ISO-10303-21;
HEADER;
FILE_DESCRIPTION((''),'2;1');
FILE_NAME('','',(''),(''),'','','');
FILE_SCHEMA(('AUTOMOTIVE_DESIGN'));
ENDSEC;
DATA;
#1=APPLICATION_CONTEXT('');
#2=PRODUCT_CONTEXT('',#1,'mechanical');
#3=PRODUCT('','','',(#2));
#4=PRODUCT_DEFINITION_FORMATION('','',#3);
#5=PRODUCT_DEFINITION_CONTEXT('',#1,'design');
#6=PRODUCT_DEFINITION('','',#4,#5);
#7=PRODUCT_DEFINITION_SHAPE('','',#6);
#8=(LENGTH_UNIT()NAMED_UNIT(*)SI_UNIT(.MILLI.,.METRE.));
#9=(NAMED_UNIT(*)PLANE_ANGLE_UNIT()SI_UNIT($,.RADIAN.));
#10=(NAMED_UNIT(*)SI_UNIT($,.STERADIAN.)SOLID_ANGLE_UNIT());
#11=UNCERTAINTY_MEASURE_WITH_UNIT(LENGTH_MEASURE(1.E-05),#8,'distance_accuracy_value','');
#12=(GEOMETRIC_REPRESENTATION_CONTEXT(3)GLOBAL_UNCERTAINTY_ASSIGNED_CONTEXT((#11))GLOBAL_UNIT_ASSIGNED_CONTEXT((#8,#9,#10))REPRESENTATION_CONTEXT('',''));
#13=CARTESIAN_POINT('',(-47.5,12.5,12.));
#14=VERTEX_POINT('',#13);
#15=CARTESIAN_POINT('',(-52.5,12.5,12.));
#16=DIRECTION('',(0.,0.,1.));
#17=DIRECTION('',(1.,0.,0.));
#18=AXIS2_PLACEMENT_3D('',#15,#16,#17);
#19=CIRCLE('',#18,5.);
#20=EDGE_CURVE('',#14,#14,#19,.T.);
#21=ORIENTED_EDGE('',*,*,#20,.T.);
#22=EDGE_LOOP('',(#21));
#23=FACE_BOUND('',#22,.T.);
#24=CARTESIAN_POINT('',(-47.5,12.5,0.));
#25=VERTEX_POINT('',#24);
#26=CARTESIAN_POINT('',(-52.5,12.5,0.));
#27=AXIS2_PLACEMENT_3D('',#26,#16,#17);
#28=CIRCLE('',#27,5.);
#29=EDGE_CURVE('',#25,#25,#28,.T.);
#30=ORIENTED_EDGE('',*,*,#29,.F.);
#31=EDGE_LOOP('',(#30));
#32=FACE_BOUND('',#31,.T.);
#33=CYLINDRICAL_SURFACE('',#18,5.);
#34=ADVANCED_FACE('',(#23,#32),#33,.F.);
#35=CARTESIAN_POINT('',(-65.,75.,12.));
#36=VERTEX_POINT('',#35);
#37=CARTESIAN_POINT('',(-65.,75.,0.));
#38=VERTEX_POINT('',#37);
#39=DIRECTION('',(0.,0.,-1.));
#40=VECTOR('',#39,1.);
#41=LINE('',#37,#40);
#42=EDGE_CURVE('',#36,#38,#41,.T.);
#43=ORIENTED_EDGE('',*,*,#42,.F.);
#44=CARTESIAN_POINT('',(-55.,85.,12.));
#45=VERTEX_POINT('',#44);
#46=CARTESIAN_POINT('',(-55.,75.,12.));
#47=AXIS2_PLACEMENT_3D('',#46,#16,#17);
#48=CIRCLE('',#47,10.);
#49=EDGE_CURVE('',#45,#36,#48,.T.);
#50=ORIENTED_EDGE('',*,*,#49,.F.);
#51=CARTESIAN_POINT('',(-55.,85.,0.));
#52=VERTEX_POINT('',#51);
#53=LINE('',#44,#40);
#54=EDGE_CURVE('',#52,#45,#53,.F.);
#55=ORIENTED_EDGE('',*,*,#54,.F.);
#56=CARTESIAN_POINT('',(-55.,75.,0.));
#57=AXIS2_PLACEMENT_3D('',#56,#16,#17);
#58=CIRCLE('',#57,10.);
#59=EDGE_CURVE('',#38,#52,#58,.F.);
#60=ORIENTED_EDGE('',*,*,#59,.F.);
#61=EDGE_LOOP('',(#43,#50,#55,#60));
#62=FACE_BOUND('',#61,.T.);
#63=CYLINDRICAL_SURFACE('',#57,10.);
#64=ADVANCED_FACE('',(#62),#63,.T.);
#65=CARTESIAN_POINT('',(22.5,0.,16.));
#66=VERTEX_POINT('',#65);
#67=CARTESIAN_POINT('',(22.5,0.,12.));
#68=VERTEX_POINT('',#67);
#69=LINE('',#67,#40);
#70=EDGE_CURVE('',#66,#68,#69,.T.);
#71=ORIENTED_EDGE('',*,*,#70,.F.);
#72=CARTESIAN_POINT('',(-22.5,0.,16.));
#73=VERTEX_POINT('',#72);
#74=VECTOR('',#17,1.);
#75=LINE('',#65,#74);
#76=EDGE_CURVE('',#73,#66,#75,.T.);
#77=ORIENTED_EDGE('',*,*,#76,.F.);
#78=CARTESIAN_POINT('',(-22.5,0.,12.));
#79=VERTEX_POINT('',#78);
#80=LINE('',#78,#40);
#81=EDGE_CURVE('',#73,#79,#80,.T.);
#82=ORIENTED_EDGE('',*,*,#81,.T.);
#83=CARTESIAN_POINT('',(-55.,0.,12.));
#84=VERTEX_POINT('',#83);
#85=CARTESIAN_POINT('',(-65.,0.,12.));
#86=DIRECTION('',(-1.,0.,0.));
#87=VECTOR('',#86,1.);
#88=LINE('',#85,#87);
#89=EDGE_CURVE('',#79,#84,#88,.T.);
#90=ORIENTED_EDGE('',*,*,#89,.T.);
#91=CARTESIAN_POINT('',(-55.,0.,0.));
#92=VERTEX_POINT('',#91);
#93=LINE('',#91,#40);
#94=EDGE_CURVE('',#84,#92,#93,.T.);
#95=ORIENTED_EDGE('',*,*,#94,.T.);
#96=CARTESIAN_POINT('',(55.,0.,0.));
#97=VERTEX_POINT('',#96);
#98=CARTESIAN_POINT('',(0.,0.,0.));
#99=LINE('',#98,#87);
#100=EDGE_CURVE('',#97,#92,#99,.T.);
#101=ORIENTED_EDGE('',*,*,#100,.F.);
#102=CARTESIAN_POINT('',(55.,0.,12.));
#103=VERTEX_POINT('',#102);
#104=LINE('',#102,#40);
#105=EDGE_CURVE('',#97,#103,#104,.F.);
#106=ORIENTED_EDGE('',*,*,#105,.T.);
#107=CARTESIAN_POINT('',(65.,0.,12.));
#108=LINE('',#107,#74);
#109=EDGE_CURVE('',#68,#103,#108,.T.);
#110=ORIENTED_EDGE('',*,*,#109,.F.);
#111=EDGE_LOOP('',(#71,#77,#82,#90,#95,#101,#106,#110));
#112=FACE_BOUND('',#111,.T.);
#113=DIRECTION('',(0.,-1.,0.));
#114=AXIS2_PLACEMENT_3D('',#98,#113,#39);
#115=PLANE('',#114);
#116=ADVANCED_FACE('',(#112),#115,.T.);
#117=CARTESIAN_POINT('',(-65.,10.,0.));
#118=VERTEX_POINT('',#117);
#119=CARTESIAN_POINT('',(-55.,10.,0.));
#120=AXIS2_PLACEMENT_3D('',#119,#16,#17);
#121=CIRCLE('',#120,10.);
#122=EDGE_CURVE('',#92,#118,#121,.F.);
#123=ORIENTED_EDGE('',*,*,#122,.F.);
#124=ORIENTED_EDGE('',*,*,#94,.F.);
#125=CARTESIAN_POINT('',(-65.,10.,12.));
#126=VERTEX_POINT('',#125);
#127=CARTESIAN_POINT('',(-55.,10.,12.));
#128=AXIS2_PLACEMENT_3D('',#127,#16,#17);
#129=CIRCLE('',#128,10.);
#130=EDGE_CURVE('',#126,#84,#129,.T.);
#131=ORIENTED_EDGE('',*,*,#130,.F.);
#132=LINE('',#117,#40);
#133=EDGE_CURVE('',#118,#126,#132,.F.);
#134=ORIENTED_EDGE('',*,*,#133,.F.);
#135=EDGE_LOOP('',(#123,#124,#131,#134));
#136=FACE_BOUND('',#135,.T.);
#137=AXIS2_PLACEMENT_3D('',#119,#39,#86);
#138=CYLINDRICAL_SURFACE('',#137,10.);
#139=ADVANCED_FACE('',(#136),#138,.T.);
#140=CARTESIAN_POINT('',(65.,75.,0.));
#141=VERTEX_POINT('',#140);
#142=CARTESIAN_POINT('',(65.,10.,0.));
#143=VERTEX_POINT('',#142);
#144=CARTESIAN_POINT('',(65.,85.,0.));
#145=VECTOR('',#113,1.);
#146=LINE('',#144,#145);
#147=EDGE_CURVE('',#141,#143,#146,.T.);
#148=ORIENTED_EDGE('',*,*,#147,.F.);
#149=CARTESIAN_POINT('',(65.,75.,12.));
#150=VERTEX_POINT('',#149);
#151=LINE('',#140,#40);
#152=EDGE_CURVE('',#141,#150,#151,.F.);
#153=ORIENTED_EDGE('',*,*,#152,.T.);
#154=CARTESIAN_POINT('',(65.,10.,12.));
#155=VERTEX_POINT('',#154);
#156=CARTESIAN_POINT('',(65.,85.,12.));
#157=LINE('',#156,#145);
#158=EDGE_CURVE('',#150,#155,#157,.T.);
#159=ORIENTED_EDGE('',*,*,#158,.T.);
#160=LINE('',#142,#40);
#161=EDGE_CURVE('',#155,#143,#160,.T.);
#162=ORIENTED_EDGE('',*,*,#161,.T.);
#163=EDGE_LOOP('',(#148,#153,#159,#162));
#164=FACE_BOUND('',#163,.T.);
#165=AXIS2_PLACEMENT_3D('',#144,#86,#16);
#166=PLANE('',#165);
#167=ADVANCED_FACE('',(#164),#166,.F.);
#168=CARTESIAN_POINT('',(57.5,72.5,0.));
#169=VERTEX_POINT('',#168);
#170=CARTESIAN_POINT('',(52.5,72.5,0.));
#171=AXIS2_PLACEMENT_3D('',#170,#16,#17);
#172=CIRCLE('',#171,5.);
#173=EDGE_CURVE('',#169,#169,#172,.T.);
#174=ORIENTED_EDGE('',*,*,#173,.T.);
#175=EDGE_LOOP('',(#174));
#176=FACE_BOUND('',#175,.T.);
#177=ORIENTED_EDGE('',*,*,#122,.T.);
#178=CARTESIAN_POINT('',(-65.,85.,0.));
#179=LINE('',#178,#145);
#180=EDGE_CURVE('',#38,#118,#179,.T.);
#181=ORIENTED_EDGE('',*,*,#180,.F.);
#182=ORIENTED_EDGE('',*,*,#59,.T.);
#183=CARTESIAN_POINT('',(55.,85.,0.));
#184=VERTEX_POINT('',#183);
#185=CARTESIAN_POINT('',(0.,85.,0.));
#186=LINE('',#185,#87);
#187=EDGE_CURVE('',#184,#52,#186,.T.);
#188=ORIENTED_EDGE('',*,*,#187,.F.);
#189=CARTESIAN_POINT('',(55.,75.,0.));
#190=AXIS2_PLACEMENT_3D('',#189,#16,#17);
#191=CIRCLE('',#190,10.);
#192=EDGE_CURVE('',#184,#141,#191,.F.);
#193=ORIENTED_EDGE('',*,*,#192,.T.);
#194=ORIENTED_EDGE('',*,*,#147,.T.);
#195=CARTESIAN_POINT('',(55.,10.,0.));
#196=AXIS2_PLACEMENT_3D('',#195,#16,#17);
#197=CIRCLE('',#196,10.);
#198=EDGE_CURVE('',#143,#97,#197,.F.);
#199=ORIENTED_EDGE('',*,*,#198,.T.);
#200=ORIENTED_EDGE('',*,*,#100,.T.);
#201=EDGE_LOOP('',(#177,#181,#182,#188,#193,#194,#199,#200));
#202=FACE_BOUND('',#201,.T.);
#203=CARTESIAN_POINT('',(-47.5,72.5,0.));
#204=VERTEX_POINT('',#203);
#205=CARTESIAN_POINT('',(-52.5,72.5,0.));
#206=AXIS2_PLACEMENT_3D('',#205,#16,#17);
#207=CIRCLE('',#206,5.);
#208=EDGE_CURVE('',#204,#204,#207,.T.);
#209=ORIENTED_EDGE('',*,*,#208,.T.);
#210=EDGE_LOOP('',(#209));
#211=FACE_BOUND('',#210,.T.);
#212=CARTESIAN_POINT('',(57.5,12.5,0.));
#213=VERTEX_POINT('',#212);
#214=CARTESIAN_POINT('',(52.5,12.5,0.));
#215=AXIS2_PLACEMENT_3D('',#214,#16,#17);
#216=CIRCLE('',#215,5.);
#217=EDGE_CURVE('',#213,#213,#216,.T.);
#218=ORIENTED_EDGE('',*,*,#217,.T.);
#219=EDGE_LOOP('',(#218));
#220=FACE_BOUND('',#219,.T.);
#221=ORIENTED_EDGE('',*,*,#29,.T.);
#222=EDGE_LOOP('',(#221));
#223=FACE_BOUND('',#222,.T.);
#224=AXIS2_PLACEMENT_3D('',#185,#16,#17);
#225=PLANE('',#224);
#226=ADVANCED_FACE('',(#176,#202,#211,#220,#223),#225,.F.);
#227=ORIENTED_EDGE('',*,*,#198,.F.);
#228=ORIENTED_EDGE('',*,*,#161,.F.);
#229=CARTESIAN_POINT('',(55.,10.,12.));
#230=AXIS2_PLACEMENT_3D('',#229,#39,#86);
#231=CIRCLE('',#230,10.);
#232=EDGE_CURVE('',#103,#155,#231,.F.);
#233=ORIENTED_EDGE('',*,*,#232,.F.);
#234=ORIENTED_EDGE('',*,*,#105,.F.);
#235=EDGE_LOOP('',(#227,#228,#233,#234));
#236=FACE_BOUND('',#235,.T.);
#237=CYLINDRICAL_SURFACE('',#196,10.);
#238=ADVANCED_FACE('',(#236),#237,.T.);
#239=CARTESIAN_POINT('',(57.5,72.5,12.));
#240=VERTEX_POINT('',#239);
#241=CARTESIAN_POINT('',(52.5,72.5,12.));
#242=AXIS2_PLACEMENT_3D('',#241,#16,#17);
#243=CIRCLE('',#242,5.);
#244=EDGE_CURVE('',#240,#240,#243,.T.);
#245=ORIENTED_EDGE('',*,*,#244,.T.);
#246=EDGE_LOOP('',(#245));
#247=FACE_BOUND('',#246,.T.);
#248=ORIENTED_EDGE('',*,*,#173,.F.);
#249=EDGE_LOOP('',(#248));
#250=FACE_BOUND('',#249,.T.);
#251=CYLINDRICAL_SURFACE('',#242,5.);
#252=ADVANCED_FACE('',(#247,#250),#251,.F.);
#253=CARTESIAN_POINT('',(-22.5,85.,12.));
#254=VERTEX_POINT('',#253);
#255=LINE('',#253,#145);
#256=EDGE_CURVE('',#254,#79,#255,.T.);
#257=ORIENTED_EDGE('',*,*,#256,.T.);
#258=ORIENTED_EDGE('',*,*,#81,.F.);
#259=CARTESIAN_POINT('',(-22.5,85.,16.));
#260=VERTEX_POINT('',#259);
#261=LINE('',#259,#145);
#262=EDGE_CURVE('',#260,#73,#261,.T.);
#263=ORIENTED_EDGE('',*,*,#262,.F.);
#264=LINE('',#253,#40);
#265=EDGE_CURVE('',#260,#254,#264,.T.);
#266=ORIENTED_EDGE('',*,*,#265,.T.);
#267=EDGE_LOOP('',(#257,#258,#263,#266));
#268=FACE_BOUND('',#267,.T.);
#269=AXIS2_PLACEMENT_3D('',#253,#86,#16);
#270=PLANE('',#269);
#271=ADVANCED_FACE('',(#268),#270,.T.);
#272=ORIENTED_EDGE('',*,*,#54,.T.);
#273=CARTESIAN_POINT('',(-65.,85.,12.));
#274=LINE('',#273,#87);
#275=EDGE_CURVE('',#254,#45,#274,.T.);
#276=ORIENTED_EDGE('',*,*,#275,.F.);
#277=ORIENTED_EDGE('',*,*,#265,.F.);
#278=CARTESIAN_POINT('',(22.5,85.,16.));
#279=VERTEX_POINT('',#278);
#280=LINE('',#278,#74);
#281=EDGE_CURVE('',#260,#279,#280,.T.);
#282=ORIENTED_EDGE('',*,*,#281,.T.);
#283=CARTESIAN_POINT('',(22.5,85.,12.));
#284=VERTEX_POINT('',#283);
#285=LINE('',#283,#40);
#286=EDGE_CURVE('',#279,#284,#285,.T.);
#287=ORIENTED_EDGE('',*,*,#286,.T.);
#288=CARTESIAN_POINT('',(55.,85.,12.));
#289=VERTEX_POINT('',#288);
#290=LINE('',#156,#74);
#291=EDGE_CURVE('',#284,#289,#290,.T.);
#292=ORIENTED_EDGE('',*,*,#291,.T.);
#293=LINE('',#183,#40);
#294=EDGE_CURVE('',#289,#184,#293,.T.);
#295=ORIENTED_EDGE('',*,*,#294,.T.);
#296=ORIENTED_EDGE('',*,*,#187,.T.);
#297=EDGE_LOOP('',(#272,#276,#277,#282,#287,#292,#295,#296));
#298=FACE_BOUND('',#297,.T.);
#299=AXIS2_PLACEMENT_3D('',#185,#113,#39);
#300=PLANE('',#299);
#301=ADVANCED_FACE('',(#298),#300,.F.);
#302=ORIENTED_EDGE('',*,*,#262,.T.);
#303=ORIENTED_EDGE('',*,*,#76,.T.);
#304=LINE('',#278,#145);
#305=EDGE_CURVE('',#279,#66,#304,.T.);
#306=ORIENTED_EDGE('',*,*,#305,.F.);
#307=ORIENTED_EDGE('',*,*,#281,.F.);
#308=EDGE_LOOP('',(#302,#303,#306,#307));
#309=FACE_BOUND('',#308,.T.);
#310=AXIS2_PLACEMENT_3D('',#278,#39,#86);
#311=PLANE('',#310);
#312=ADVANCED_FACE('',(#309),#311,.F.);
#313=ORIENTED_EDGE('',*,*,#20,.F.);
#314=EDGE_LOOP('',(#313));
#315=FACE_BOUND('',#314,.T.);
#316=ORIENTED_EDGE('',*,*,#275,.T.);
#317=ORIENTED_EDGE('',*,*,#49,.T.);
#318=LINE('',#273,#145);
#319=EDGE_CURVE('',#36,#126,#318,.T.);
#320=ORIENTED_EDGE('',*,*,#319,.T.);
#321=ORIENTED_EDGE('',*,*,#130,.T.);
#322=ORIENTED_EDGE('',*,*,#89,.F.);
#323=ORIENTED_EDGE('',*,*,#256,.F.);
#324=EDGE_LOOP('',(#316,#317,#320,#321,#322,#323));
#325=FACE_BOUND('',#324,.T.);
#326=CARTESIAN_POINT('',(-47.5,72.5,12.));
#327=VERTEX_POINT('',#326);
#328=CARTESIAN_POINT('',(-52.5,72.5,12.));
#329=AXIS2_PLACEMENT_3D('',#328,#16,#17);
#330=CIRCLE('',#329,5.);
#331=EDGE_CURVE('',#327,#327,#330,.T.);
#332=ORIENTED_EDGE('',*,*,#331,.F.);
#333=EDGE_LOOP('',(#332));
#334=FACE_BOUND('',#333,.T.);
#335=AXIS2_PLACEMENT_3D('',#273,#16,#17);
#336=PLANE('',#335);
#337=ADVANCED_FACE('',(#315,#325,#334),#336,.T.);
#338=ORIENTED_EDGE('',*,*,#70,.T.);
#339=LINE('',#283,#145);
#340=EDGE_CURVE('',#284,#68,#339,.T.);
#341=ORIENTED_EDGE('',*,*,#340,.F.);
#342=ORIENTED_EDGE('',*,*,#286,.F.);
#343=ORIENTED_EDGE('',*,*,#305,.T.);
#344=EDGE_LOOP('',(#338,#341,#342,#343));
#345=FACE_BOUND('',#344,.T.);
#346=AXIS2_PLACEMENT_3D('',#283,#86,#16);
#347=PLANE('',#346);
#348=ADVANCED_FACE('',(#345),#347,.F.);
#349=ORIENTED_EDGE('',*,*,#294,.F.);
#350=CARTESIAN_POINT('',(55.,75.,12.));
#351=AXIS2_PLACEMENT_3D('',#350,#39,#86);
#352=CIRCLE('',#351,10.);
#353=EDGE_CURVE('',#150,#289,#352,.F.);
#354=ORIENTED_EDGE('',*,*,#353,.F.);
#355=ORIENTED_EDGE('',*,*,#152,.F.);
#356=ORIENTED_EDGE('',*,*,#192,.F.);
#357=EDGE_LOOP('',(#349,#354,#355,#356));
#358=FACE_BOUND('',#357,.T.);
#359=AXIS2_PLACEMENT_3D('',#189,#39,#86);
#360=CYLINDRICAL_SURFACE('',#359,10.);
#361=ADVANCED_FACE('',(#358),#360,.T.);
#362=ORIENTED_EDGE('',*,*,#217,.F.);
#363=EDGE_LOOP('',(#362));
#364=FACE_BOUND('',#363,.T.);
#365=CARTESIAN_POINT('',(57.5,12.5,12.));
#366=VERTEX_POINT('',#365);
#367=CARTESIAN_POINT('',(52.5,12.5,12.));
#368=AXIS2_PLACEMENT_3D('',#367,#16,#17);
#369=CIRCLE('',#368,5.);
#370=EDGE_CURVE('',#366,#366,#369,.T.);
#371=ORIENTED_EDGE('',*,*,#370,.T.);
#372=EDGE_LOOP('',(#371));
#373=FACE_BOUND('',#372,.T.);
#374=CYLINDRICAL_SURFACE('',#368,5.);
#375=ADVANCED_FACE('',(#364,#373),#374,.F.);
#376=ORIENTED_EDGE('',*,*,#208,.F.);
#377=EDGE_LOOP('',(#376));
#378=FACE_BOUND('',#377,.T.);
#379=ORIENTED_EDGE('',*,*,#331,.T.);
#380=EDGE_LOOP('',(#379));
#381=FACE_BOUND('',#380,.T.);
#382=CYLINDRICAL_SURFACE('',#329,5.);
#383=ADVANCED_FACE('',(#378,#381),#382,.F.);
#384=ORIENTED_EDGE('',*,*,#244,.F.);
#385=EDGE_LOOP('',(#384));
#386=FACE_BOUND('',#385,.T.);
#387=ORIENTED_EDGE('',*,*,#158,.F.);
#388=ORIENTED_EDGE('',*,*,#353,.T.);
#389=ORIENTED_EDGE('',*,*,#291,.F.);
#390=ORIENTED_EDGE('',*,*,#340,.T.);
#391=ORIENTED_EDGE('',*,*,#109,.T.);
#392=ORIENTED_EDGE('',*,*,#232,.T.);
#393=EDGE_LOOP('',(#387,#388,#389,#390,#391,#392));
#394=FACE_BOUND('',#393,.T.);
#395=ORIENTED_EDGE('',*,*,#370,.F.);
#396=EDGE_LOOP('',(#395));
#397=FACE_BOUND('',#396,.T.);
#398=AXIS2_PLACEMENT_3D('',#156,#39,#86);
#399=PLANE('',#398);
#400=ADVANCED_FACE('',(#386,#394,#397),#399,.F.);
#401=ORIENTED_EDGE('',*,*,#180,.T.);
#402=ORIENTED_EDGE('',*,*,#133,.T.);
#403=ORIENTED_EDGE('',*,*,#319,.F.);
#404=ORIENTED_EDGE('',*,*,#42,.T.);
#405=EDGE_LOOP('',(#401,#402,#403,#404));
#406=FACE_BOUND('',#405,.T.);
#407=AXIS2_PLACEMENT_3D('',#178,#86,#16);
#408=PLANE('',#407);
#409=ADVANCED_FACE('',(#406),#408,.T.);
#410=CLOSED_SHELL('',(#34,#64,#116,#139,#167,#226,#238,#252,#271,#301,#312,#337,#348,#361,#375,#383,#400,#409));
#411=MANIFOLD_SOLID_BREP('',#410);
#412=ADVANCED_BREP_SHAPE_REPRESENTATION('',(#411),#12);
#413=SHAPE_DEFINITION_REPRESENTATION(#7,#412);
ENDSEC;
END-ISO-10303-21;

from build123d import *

# Parameters (mm, degrees)
EXTRUDE1_DEPTH          = 85
M10X1_25_TAPPED_HOLE1_D = 10
FILLET1_R               = 10
FILLET1_OF_MIRROR1_R    = 10


with BuildPart() as part:
    # Sketch1 → Extrude1 (new body)
    with BuildSketch(Plane(origin=(0, 0, 0), x_dir=(1, 0, 0), z_dir=(0, 1, 0))):
        Polygon((0, 0), (65, 0), (65, -12), (22.5, -12), (22.5, -16), (0, -16), align=None)
    extrude1 = extrude(amount=EXTRUDE1_DEPTH)

    # M10x1.25 Tapped Hole1 (through all)
    with Locations(Plane.XY.offset(12)):
        with Locations((52.5, 12.5), (52.5, 72.5)):
            m10x1_25_tapped_hole1 = Hole(M10X1_25_TAPPED_HOLE1_D / 2)

    # Fillet1
    fillet1_edges = [part.edges().sort_by_distance(p)[0] for p in [
        (65, 85, 6),
        (65, 0, 6),
    ]]
    fillet(fillet1_edges, radius=FILLET1_R)

    # Mirror1: Extrude1, M10x1.25 Tapped Hole1 across plane
    add(extrude1.mirror(Plane(origin=(0, 0, 0), x_dir=(0, 0, 1), z_dir=(1, 0, 0))))
    add(m10x1_25_tapped_hole1.mirror(Plane(origin=(0, 0, 0), x_dir=(0, 0, 1), z_dir=(1, 0, 0))), mode=Mode.SUBTRACT)

    # Fillet1 of Mirror1
    fillet1_of_mirror1_edges = [part.edges().sort_by_distance(p)[0] for p in [
        (-65, 85, 6),
        (-65, 0, 6),
    ]]
    fillet(fillet1_of_mirror1_edges, radius=FILLET1_OF_MIRROR1_R)


solid = part.part
